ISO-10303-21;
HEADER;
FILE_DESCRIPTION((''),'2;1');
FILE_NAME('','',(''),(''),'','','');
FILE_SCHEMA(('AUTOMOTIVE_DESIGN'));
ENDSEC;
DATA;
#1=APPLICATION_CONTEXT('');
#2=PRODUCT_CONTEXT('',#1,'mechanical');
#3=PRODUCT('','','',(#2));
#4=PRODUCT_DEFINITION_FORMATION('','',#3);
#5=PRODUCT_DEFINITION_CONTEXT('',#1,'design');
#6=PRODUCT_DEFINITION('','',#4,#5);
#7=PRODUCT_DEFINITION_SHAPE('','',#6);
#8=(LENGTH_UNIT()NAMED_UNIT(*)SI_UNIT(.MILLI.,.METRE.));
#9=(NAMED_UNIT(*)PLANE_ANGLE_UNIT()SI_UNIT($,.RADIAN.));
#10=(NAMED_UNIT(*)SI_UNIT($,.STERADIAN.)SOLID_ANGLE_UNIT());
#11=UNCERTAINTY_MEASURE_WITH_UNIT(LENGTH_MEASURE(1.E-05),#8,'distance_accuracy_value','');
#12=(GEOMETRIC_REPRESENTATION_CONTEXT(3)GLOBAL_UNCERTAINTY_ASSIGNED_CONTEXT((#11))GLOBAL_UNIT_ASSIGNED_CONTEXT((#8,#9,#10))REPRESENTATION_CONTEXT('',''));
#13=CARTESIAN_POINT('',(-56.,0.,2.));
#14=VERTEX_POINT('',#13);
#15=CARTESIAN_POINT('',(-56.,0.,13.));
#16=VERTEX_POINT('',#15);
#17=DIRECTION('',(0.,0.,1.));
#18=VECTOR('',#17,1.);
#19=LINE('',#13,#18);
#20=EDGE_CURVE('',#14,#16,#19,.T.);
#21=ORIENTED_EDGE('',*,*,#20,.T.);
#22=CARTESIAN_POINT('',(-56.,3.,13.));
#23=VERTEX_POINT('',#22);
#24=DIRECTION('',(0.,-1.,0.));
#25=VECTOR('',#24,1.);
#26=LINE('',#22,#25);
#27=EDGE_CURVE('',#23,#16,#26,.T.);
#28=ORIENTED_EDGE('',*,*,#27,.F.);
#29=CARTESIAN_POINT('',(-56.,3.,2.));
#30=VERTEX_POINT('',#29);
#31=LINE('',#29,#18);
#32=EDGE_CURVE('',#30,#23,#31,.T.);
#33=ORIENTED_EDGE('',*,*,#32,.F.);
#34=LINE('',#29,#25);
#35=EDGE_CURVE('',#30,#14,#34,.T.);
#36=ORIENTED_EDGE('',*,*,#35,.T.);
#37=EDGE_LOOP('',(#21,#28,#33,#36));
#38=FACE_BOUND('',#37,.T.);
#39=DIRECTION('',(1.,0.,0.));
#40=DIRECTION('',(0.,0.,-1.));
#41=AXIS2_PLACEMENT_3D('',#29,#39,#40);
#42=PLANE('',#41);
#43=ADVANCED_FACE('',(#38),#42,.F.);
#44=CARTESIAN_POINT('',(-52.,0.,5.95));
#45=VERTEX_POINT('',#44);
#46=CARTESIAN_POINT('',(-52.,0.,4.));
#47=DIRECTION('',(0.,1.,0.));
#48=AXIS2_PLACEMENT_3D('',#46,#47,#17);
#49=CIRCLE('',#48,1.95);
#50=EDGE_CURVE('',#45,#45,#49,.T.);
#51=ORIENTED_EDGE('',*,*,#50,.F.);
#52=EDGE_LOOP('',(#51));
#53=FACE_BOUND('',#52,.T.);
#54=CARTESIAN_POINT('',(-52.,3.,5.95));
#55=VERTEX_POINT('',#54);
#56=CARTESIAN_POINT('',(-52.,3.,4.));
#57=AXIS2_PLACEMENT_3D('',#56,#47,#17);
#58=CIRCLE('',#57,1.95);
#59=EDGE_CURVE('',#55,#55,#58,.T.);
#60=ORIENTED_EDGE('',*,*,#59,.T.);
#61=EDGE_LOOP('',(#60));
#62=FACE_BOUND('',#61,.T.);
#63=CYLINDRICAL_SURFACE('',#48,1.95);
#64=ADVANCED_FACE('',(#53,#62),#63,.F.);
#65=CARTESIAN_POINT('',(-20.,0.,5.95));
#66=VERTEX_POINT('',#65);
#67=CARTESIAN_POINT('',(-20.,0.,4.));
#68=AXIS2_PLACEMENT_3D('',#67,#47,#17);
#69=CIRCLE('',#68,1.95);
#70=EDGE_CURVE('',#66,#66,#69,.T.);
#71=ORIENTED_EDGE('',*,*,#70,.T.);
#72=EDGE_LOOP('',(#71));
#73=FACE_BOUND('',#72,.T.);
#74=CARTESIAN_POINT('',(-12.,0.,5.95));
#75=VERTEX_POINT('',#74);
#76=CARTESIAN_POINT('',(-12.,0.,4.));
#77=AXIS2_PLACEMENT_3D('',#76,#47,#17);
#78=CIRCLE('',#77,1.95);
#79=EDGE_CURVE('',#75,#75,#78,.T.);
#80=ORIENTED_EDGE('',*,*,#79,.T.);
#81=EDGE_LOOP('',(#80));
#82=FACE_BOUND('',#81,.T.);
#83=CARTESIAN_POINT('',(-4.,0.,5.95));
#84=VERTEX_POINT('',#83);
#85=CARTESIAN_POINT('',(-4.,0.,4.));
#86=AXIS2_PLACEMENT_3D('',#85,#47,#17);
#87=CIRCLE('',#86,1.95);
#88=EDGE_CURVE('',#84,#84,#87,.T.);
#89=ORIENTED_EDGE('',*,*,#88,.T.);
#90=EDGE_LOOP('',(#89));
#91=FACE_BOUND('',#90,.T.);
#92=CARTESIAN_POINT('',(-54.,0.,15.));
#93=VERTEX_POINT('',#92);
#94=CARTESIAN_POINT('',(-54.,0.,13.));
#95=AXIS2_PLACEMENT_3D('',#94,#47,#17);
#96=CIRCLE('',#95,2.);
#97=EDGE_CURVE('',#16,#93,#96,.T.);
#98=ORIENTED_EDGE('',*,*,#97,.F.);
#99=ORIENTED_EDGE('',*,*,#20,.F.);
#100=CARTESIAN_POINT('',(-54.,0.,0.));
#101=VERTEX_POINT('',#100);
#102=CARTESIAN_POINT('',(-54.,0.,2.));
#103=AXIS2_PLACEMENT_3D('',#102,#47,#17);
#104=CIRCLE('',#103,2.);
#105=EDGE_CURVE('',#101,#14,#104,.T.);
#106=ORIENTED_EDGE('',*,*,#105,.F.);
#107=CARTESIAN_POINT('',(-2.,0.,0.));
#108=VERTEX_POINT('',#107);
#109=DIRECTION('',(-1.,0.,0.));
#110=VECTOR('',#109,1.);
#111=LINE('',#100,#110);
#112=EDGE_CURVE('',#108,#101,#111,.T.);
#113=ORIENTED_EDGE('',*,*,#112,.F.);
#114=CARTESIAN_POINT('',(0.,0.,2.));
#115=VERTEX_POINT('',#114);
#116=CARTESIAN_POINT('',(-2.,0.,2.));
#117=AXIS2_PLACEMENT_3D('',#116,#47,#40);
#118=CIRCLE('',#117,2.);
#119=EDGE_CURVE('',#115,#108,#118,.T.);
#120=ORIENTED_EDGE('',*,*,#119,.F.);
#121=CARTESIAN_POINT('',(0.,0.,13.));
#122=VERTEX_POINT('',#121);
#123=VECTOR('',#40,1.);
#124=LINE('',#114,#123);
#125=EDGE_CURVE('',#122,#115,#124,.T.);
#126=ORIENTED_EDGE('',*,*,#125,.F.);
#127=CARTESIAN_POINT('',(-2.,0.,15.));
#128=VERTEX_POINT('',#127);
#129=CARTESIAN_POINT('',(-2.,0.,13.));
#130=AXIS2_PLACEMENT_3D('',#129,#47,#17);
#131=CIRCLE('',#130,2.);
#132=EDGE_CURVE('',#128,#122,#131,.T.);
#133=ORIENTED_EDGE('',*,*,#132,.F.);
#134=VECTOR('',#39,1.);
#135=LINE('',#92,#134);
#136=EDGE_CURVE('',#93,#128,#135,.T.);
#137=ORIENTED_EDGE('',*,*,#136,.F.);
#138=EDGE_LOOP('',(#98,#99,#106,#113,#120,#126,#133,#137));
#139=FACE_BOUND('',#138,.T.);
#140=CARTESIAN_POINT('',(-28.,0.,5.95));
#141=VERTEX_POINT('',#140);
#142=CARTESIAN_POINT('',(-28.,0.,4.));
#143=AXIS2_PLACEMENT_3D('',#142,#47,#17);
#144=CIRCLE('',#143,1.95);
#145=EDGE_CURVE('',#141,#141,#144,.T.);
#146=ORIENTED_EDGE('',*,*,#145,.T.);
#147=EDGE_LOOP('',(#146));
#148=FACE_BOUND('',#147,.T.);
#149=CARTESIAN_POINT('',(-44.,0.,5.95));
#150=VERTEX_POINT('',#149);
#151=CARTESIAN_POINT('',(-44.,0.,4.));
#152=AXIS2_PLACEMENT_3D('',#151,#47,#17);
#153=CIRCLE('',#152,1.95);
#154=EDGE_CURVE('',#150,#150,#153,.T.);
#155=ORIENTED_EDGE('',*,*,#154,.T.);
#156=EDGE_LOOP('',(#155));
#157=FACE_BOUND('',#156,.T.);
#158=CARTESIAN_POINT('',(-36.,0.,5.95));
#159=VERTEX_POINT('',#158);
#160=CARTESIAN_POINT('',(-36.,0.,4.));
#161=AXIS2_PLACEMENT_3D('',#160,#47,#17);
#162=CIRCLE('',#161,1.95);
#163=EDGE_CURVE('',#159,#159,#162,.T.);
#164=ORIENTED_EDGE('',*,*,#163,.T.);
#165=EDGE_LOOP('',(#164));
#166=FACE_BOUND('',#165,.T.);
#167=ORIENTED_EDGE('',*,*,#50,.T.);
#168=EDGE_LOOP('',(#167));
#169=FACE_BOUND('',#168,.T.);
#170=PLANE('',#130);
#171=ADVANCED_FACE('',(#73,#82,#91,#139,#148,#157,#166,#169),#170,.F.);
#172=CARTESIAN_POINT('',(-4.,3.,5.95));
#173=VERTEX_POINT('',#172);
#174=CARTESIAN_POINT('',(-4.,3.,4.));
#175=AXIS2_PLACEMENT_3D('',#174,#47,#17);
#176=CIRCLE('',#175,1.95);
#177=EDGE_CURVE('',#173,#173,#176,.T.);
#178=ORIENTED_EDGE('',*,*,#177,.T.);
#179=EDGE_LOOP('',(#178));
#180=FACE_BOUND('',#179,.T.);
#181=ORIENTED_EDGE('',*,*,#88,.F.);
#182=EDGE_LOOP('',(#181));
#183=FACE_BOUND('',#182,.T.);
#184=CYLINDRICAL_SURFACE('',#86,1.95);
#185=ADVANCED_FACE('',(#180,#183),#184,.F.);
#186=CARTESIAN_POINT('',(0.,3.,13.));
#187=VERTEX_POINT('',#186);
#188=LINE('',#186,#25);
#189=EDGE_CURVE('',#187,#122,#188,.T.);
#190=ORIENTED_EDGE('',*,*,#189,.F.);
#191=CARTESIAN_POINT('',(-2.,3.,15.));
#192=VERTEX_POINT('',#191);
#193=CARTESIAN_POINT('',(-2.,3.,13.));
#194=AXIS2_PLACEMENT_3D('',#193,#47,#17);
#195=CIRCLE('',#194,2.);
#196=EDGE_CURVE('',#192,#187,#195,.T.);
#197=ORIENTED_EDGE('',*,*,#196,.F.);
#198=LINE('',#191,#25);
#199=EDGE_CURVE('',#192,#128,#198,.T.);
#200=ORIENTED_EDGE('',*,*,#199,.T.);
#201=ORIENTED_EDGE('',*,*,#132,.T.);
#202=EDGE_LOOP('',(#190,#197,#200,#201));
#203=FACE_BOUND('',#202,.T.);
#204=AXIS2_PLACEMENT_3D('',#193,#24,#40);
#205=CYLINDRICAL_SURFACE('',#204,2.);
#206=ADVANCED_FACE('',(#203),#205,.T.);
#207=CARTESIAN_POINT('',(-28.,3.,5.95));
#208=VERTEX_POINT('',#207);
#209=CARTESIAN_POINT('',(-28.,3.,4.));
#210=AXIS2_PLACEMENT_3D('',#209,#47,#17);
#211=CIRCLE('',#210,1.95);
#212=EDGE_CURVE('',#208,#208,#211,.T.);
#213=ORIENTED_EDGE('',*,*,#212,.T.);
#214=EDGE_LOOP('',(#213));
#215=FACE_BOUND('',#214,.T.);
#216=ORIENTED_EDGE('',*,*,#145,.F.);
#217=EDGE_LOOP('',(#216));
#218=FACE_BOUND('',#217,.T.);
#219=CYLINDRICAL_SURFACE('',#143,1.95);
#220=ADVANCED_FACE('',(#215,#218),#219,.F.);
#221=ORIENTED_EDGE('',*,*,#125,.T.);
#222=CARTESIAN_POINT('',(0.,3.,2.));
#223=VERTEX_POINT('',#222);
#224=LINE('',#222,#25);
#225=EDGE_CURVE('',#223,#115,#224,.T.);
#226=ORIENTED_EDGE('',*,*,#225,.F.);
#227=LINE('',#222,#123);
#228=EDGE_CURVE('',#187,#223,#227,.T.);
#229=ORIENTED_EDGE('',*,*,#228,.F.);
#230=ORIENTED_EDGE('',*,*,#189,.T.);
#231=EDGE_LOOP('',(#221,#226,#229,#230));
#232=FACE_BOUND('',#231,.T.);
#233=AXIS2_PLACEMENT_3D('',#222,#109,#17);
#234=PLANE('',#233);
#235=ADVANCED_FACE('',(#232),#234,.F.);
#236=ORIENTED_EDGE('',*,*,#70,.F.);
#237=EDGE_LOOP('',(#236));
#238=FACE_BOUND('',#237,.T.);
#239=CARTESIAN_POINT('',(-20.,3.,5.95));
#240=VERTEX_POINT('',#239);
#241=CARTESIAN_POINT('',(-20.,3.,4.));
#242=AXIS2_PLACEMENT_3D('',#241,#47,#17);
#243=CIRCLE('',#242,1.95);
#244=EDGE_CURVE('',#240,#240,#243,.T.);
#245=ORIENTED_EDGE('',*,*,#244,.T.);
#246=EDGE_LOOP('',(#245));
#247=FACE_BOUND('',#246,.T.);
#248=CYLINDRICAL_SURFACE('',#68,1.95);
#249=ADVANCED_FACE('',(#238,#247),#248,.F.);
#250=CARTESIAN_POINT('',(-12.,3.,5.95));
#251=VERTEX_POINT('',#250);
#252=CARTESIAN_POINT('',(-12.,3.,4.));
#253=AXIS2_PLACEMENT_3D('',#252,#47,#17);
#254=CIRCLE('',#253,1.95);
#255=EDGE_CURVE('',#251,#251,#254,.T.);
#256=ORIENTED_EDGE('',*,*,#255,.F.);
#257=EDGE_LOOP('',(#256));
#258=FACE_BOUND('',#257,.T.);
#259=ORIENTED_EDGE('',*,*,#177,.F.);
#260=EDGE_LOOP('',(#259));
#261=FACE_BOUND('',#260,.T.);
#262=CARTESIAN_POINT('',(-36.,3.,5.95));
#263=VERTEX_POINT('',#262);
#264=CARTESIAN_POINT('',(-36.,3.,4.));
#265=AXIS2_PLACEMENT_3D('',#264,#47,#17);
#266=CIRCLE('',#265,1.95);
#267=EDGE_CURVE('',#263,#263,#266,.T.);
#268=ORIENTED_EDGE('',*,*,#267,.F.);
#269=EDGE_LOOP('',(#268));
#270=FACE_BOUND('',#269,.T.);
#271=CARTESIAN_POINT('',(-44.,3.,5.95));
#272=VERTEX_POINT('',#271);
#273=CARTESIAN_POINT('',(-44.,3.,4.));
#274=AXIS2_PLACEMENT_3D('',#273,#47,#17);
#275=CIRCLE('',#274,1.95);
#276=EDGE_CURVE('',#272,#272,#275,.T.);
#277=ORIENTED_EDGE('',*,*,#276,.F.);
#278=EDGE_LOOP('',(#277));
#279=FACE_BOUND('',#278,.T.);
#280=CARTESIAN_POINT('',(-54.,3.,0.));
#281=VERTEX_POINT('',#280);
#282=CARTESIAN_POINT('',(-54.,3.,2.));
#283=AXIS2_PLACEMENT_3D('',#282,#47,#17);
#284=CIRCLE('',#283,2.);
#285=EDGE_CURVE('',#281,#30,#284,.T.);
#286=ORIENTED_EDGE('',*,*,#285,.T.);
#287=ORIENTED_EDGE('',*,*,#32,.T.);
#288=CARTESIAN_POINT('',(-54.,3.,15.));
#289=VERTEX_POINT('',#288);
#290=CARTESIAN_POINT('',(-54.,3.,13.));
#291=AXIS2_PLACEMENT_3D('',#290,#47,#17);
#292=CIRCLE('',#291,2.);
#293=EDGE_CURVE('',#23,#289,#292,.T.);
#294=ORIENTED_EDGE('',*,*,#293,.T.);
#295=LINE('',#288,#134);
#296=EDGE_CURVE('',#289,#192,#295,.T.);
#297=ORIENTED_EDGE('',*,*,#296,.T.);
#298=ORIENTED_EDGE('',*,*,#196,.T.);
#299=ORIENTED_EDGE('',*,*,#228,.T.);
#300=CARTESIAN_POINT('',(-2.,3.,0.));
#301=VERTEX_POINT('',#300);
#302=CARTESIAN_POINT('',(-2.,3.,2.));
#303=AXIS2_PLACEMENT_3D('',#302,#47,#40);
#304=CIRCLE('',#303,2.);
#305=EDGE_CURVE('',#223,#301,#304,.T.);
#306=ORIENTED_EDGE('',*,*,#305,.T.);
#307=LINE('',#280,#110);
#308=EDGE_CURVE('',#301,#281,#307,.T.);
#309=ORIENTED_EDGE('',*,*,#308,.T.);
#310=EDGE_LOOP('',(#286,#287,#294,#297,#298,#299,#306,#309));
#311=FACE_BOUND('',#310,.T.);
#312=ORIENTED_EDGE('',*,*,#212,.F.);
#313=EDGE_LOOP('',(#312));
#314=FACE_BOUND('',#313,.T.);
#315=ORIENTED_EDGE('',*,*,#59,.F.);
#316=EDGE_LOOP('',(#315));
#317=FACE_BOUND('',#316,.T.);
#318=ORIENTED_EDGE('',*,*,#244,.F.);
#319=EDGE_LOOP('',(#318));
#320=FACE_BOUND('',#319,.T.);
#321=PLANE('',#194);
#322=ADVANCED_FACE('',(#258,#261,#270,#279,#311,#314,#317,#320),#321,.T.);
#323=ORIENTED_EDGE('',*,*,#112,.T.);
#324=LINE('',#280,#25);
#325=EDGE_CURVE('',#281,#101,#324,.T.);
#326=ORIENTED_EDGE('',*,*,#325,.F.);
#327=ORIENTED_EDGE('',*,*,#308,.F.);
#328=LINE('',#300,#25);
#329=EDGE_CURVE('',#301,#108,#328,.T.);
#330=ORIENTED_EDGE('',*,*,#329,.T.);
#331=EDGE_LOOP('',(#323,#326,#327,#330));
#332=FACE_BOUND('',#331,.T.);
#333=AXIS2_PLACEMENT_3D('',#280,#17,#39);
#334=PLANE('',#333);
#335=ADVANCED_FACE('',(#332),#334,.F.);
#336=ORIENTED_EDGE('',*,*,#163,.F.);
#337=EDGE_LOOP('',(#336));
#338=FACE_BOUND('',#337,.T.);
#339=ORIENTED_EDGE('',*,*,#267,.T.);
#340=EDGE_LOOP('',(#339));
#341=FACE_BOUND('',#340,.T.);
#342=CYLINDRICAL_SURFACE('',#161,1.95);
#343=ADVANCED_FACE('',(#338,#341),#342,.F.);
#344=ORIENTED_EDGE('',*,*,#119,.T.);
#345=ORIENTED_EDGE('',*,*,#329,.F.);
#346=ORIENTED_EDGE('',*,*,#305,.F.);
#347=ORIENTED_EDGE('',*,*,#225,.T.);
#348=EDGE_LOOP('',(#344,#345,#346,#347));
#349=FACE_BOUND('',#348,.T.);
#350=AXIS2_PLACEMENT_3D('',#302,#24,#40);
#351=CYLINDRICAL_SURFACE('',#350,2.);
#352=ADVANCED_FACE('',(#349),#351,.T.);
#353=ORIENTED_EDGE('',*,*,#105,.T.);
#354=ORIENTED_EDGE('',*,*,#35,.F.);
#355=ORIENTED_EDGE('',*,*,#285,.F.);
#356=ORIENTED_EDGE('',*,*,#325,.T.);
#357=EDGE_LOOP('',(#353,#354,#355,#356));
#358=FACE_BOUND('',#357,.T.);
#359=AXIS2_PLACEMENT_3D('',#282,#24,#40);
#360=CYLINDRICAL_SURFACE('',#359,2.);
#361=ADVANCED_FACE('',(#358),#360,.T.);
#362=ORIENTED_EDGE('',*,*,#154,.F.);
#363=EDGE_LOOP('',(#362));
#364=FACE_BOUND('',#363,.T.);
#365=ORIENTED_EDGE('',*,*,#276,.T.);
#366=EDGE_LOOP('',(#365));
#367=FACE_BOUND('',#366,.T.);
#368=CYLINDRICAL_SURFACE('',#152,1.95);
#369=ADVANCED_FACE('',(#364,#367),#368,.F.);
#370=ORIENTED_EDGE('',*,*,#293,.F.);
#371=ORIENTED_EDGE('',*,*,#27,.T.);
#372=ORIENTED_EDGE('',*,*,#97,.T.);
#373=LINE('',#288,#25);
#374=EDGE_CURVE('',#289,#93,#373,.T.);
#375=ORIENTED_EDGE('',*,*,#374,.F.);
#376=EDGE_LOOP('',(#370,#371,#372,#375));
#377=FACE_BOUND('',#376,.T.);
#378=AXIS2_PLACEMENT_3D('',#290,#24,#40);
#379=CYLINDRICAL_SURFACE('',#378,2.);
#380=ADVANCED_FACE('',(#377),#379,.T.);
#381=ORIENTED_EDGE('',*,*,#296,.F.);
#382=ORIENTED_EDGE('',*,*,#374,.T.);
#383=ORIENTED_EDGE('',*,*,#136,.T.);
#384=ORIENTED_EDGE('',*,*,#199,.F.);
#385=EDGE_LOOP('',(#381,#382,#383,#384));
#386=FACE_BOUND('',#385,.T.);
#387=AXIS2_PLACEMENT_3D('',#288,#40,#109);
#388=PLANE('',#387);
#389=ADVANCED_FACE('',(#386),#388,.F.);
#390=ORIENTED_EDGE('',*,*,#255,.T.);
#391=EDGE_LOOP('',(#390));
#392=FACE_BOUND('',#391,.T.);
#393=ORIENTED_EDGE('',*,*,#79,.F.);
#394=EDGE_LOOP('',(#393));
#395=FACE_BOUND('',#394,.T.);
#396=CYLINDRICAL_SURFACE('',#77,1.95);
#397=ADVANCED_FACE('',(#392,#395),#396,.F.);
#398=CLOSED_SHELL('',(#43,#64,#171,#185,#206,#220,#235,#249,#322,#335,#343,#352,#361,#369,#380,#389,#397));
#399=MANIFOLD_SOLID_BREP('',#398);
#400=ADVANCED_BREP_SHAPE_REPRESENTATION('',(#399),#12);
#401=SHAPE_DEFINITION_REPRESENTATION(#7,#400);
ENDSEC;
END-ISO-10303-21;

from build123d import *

# Parameters (mm, degrees)
BOSS_EXTRUDE1_DEPTH = 3
SKETCH2_R           = 1.95
CUT_EXTRUDE1_DEPTH  = 4


with BuildPart() as part:
    # Sketch1 → Boss-Extrude1 (new body)
    with BuildSketch(Plane(origin=(0, 0, 0), x_dir=(1, 0, 0), z_dir=(0, 1, 0))):
        with BuildLine():
            Line((-54, 0), (-2, 0))
            ThreePointArc((-2, 0), (-0.585786438, -0.585786438), (0, -2))
            Line((0, -2), (0, -13))
            ThreePointArc((0, -13), (-0.585786438, -14.414213562), (-2, -15))
            Line((-2, -15), (-54, -15))
            ThreePointArc((-54, -15), (-55.414213562, -14.414213562), (-56, -13))
            Line((-56, -13), (-56, -2))
            ThreePointArc((-56, -2), (-55.414213562, -0.585786438), (-54, 0))
        make_face()
    extrude(amount=BOSS_EXTRUDE1_DEPTH)

    # Sketch2 → Cut-Extrude1 (cut, through all)
    with BuildSketch(Plane(origin=(0, 3, 0), x_dir=(1, 0, 0), z_dir=(0, 1, 0))):
        with Locations((-4, -4)):
            Circle(SKETCH2_R)
        with Locations((-12, -4)):
            Circle(SKETCH2_R)
        with Locations((-76, -4)):
            Circle(SKETCH2_R)
        with Locations((-68, -4)):
            Circle(SKETCH2_R)
        with Locations((-60, -4)):
            Circle(SKETCH2_R)
        with Locations((-52, -4)):
            Circle(SKETCH2_R)
        with Locations((-44, -4)):
            Circle(SKETCH2_R)
        with Locations((-36, -4)):
            Circle(SKETCH2_R)
        with Locations((-28, -4)):
            Circle(SKETCH2_R)
        with Locations((-20, -4)):
            Circle(SKETCH2_R)
    extrude(amount=-CUT_EXTRUDE1_DEPTH, mode=Mode.SUBTRACT)


solid = part.part
